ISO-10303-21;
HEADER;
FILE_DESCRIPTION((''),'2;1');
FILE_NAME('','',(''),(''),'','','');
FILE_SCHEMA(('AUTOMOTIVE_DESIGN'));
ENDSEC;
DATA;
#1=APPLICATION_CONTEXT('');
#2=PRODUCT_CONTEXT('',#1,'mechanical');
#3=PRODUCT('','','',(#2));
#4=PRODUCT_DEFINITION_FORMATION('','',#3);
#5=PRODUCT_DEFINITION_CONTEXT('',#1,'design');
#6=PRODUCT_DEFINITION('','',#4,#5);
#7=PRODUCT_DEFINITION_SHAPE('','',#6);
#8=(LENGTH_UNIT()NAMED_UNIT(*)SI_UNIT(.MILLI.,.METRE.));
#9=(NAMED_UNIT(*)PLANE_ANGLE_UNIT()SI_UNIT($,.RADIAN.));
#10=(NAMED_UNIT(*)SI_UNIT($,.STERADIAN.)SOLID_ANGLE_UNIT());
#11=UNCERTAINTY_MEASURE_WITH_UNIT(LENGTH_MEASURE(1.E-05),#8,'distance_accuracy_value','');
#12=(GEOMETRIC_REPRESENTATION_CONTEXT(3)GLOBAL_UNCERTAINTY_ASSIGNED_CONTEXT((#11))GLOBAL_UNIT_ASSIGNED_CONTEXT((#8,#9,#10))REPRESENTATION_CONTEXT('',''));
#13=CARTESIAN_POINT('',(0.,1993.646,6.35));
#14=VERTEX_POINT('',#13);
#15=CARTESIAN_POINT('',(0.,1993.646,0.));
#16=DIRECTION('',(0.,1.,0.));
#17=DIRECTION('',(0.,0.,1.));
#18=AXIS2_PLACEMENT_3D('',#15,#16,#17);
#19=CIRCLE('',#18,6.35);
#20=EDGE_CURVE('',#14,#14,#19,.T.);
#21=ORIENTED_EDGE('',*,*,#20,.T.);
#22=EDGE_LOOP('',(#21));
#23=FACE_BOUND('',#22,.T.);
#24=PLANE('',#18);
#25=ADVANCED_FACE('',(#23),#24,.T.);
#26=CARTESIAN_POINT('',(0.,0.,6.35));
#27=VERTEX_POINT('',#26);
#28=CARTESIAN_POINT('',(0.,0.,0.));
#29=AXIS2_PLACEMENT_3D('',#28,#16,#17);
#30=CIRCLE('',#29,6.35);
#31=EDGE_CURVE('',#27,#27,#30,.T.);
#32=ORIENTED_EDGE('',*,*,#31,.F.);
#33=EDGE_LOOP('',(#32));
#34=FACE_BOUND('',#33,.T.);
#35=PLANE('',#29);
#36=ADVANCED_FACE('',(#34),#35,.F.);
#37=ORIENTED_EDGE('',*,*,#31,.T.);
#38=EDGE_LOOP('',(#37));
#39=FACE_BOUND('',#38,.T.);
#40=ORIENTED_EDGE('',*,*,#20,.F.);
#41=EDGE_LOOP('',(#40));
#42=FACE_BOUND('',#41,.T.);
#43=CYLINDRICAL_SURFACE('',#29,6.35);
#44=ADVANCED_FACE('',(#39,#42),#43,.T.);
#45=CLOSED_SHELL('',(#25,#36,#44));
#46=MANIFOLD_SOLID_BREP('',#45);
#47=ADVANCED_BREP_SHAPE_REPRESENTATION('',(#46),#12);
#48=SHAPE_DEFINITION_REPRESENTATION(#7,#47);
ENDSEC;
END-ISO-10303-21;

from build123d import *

# Parameters (mm, degrees)
SWEEP1_PROFILE_R = 6.35


with BuildPart() as part:
    # Sweep1: sweep along a path in Sketch1
    with BuildLine(Plane.XY) as sweep1_path:
        Line((0, 0), (0, 1993.646))
    # Sweep1 profile (on start of the path) → Sweep1 (sweep)
    with BuildSketch(Plane.ZX):
        Circle(SWEEP1_PROFILE_R)
    sweep(path=sweep1_path.line)


solid = part.part
